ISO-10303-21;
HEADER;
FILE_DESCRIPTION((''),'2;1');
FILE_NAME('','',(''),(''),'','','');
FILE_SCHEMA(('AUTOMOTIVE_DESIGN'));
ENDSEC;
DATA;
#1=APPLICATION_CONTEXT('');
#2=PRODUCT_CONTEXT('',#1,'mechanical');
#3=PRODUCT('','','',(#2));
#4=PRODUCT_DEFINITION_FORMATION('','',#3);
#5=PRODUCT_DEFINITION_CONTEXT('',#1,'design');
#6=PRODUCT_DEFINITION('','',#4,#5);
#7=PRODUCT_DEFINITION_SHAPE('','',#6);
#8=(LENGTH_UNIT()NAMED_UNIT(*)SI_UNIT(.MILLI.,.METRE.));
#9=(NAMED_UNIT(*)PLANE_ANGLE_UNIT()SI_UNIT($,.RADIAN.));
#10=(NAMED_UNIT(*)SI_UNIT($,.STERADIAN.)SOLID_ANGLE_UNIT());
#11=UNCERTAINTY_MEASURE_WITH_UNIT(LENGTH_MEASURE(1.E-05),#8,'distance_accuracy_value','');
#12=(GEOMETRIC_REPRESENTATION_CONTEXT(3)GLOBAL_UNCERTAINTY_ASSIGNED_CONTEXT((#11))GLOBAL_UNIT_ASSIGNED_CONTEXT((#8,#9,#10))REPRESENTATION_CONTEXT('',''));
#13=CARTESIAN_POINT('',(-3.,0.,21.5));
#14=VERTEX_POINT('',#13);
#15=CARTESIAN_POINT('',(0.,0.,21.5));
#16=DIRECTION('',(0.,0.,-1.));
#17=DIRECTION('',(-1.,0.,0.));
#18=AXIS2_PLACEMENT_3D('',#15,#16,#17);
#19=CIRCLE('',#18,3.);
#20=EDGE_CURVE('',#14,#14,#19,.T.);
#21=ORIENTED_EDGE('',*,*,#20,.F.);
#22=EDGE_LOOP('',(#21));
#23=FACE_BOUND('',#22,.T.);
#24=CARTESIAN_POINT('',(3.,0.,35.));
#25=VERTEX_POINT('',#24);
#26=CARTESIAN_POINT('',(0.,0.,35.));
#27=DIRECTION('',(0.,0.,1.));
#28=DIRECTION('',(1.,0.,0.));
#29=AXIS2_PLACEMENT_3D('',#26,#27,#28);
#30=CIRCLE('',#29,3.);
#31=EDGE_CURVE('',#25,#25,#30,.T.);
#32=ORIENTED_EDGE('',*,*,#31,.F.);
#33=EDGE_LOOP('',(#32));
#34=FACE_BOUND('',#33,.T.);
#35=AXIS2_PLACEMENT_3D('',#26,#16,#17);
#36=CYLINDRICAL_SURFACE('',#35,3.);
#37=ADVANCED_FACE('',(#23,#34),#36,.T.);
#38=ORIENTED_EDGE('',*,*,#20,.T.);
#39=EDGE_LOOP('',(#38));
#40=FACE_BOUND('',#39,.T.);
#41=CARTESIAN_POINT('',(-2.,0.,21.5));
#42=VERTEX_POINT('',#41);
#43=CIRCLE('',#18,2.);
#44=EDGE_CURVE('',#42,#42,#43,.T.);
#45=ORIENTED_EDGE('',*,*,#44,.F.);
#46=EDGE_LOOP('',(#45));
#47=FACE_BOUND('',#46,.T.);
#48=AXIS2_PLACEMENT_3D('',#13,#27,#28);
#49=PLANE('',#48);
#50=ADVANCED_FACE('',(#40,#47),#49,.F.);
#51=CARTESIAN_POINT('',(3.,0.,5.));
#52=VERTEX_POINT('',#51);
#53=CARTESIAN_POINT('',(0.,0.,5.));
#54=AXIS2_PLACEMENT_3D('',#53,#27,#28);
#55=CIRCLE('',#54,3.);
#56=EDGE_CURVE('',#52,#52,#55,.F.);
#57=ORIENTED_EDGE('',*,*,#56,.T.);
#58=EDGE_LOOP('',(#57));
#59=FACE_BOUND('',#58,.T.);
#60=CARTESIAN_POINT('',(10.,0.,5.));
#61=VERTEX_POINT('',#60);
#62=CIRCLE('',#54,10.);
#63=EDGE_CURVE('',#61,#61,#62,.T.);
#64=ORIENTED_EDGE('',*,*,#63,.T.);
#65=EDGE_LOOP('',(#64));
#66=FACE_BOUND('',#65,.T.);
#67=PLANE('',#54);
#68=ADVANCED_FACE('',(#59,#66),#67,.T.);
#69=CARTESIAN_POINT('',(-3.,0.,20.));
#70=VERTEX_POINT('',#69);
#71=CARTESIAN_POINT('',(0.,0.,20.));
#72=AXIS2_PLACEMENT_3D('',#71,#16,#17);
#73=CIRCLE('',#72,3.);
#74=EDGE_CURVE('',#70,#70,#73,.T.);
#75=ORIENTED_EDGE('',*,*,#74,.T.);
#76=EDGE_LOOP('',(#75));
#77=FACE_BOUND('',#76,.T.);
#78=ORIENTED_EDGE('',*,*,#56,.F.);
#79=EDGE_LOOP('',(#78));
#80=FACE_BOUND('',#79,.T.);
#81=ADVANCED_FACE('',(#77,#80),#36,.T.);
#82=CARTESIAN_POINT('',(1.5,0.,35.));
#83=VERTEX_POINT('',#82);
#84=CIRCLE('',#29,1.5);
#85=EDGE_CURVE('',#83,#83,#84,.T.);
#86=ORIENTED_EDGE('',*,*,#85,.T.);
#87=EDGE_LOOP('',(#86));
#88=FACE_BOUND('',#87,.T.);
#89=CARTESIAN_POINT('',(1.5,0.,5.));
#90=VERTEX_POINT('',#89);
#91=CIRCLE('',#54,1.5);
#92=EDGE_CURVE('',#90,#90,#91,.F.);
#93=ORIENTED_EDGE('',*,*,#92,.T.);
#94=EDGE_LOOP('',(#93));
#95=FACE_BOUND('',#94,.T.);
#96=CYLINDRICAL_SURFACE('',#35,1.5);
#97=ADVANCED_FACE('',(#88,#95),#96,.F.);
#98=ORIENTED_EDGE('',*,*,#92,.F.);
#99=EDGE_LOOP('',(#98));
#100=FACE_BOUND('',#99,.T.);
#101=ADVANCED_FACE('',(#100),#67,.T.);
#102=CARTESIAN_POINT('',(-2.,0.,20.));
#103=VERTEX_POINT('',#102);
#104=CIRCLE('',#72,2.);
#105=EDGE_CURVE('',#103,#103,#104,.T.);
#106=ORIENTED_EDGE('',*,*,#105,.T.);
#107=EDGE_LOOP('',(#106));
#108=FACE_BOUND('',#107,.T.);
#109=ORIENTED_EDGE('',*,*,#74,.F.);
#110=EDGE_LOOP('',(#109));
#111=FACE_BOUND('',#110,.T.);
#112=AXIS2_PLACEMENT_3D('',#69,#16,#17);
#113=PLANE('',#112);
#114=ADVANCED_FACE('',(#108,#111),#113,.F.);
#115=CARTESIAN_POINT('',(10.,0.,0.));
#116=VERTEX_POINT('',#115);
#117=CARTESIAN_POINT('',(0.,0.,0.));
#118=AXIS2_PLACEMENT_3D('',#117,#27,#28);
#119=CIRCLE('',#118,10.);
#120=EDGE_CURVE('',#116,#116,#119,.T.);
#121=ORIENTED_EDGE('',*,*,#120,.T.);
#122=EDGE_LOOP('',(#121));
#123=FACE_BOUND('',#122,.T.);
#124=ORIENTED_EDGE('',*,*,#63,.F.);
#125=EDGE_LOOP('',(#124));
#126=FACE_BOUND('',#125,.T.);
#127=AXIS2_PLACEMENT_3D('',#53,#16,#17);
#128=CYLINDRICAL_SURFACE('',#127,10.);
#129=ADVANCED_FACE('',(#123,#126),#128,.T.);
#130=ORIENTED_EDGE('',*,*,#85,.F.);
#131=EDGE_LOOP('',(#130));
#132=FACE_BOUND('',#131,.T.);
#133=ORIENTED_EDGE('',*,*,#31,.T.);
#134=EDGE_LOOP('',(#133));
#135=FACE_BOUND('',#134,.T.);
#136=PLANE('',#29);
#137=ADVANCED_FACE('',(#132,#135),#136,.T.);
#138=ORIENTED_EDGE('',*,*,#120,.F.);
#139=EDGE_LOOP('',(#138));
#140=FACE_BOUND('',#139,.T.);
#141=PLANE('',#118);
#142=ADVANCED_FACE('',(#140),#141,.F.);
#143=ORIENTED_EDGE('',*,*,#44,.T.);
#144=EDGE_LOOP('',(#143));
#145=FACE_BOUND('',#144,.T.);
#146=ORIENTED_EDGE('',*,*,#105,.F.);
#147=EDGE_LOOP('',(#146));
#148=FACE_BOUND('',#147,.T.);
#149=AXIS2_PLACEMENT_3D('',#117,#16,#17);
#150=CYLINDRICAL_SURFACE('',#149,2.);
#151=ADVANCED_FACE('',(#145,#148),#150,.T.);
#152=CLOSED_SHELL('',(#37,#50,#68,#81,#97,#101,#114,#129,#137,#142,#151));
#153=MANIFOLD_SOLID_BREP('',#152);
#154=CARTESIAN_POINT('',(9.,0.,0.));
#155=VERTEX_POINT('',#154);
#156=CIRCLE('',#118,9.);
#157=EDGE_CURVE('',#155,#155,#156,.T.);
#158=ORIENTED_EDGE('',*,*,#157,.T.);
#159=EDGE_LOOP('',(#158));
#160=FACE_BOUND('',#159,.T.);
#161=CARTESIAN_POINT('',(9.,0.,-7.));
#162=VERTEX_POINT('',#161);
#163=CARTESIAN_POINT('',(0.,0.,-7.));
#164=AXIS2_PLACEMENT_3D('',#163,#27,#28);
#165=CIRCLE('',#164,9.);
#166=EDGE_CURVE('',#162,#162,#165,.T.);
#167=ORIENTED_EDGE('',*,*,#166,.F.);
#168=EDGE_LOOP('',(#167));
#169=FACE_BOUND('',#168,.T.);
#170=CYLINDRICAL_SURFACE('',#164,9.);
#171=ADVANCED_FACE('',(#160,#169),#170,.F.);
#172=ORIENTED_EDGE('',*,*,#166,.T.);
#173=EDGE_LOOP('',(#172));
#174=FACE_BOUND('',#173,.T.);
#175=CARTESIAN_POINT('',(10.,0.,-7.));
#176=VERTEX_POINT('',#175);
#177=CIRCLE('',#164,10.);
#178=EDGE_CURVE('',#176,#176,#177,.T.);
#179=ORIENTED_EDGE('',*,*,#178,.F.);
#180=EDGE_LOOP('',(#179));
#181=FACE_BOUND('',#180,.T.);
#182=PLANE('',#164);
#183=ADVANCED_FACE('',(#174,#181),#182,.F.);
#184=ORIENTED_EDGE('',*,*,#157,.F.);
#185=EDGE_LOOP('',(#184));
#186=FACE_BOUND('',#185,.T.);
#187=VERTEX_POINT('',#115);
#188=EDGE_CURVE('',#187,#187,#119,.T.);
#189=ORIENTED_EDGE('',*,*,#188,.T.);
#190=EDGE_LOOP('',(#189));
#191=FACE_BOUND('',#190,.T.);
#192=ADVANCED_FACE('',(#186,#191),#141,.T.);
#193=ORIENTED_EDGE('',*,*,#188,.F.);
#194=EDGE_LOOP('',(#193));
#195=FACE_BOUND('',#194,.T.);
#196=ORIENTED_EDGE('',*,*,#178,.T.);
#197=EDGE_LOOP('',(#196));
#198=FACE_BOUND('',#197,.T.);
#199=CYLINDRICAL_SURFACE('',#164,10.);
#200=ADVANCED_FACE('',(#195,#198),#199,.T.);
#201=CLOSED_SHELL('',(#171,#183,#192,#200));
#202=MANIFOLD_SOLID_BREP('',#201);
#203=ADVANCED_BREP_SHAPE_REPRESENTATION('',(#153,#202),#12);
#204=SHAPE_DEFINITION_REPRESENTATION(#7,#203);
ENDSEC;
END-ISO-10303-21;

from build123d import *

# Parameters (mm, degrees)
CROQUIS1_R              = 10
SALIENTE_EXTRUIR1_DEPTH = 5
CROQUIS1_6_R            = 3
CROQUIS1_6_R_2          = 1.5
EXTRUIR_L_MINA1_DEPTH   = 35
CROQUIS2_W              = 1
CROQUIS2_H              = 1.5
CROQUIS1_7_R            = 10
CROQUIS1_7_R_2          = 9
EXTRUIR_L_MINA2_DEPTH   = 7


with BuildPart() as part:
    # Croquis1 → Saliente-Extruir1 (new body)
    with BuildSketch(Plane.XY):
        Circle(CROQUIS1_R)
    extrude(amount=SALIENTE_EXTRUIR1_DEPTH)

    # Croquis1_6 → Extruir-L_mina1 (add)
    with BuildSketch(Plane.XY):
        Circle(CROQUIS1_6_R)
        Circle(CROQUIS1_6_R_2, mode=Mode.SUBTRACT)
    extrude(amount=EXTRUIR_L_MINA1_DEPTH)

    # Croquis2 → Cortar-Revoluci_n2 (revolve, cut)
    with BuildSketch(Plane(origin=(0, 0, 0), x_dir=(1, 0, 0), z_dir=(0, 1, 0))):
        with Locations((-2.5, -20.75)):
            Rectangle(CROQUIS2_W, CROQUIS2_H)
    revolve(axis=Axis((0, 0, 0), (0, 0, 1)), mode=Mode.SUBTRACT)


with BuildPart() as body_2:
    # Croquis1_7 → Extruir-L_mina2 (new body)
    with BuildSketch(Plane.XY):
        Circle(CROQUIS1_7_R)
        Circle(CROQUIS1_7_R_2, mode=Mode.SUBTRACT)
    extrude(amount=-EXTRUIR_L_MINA2_DEPTH)


solid = Compound([part.part, body_2.part])
